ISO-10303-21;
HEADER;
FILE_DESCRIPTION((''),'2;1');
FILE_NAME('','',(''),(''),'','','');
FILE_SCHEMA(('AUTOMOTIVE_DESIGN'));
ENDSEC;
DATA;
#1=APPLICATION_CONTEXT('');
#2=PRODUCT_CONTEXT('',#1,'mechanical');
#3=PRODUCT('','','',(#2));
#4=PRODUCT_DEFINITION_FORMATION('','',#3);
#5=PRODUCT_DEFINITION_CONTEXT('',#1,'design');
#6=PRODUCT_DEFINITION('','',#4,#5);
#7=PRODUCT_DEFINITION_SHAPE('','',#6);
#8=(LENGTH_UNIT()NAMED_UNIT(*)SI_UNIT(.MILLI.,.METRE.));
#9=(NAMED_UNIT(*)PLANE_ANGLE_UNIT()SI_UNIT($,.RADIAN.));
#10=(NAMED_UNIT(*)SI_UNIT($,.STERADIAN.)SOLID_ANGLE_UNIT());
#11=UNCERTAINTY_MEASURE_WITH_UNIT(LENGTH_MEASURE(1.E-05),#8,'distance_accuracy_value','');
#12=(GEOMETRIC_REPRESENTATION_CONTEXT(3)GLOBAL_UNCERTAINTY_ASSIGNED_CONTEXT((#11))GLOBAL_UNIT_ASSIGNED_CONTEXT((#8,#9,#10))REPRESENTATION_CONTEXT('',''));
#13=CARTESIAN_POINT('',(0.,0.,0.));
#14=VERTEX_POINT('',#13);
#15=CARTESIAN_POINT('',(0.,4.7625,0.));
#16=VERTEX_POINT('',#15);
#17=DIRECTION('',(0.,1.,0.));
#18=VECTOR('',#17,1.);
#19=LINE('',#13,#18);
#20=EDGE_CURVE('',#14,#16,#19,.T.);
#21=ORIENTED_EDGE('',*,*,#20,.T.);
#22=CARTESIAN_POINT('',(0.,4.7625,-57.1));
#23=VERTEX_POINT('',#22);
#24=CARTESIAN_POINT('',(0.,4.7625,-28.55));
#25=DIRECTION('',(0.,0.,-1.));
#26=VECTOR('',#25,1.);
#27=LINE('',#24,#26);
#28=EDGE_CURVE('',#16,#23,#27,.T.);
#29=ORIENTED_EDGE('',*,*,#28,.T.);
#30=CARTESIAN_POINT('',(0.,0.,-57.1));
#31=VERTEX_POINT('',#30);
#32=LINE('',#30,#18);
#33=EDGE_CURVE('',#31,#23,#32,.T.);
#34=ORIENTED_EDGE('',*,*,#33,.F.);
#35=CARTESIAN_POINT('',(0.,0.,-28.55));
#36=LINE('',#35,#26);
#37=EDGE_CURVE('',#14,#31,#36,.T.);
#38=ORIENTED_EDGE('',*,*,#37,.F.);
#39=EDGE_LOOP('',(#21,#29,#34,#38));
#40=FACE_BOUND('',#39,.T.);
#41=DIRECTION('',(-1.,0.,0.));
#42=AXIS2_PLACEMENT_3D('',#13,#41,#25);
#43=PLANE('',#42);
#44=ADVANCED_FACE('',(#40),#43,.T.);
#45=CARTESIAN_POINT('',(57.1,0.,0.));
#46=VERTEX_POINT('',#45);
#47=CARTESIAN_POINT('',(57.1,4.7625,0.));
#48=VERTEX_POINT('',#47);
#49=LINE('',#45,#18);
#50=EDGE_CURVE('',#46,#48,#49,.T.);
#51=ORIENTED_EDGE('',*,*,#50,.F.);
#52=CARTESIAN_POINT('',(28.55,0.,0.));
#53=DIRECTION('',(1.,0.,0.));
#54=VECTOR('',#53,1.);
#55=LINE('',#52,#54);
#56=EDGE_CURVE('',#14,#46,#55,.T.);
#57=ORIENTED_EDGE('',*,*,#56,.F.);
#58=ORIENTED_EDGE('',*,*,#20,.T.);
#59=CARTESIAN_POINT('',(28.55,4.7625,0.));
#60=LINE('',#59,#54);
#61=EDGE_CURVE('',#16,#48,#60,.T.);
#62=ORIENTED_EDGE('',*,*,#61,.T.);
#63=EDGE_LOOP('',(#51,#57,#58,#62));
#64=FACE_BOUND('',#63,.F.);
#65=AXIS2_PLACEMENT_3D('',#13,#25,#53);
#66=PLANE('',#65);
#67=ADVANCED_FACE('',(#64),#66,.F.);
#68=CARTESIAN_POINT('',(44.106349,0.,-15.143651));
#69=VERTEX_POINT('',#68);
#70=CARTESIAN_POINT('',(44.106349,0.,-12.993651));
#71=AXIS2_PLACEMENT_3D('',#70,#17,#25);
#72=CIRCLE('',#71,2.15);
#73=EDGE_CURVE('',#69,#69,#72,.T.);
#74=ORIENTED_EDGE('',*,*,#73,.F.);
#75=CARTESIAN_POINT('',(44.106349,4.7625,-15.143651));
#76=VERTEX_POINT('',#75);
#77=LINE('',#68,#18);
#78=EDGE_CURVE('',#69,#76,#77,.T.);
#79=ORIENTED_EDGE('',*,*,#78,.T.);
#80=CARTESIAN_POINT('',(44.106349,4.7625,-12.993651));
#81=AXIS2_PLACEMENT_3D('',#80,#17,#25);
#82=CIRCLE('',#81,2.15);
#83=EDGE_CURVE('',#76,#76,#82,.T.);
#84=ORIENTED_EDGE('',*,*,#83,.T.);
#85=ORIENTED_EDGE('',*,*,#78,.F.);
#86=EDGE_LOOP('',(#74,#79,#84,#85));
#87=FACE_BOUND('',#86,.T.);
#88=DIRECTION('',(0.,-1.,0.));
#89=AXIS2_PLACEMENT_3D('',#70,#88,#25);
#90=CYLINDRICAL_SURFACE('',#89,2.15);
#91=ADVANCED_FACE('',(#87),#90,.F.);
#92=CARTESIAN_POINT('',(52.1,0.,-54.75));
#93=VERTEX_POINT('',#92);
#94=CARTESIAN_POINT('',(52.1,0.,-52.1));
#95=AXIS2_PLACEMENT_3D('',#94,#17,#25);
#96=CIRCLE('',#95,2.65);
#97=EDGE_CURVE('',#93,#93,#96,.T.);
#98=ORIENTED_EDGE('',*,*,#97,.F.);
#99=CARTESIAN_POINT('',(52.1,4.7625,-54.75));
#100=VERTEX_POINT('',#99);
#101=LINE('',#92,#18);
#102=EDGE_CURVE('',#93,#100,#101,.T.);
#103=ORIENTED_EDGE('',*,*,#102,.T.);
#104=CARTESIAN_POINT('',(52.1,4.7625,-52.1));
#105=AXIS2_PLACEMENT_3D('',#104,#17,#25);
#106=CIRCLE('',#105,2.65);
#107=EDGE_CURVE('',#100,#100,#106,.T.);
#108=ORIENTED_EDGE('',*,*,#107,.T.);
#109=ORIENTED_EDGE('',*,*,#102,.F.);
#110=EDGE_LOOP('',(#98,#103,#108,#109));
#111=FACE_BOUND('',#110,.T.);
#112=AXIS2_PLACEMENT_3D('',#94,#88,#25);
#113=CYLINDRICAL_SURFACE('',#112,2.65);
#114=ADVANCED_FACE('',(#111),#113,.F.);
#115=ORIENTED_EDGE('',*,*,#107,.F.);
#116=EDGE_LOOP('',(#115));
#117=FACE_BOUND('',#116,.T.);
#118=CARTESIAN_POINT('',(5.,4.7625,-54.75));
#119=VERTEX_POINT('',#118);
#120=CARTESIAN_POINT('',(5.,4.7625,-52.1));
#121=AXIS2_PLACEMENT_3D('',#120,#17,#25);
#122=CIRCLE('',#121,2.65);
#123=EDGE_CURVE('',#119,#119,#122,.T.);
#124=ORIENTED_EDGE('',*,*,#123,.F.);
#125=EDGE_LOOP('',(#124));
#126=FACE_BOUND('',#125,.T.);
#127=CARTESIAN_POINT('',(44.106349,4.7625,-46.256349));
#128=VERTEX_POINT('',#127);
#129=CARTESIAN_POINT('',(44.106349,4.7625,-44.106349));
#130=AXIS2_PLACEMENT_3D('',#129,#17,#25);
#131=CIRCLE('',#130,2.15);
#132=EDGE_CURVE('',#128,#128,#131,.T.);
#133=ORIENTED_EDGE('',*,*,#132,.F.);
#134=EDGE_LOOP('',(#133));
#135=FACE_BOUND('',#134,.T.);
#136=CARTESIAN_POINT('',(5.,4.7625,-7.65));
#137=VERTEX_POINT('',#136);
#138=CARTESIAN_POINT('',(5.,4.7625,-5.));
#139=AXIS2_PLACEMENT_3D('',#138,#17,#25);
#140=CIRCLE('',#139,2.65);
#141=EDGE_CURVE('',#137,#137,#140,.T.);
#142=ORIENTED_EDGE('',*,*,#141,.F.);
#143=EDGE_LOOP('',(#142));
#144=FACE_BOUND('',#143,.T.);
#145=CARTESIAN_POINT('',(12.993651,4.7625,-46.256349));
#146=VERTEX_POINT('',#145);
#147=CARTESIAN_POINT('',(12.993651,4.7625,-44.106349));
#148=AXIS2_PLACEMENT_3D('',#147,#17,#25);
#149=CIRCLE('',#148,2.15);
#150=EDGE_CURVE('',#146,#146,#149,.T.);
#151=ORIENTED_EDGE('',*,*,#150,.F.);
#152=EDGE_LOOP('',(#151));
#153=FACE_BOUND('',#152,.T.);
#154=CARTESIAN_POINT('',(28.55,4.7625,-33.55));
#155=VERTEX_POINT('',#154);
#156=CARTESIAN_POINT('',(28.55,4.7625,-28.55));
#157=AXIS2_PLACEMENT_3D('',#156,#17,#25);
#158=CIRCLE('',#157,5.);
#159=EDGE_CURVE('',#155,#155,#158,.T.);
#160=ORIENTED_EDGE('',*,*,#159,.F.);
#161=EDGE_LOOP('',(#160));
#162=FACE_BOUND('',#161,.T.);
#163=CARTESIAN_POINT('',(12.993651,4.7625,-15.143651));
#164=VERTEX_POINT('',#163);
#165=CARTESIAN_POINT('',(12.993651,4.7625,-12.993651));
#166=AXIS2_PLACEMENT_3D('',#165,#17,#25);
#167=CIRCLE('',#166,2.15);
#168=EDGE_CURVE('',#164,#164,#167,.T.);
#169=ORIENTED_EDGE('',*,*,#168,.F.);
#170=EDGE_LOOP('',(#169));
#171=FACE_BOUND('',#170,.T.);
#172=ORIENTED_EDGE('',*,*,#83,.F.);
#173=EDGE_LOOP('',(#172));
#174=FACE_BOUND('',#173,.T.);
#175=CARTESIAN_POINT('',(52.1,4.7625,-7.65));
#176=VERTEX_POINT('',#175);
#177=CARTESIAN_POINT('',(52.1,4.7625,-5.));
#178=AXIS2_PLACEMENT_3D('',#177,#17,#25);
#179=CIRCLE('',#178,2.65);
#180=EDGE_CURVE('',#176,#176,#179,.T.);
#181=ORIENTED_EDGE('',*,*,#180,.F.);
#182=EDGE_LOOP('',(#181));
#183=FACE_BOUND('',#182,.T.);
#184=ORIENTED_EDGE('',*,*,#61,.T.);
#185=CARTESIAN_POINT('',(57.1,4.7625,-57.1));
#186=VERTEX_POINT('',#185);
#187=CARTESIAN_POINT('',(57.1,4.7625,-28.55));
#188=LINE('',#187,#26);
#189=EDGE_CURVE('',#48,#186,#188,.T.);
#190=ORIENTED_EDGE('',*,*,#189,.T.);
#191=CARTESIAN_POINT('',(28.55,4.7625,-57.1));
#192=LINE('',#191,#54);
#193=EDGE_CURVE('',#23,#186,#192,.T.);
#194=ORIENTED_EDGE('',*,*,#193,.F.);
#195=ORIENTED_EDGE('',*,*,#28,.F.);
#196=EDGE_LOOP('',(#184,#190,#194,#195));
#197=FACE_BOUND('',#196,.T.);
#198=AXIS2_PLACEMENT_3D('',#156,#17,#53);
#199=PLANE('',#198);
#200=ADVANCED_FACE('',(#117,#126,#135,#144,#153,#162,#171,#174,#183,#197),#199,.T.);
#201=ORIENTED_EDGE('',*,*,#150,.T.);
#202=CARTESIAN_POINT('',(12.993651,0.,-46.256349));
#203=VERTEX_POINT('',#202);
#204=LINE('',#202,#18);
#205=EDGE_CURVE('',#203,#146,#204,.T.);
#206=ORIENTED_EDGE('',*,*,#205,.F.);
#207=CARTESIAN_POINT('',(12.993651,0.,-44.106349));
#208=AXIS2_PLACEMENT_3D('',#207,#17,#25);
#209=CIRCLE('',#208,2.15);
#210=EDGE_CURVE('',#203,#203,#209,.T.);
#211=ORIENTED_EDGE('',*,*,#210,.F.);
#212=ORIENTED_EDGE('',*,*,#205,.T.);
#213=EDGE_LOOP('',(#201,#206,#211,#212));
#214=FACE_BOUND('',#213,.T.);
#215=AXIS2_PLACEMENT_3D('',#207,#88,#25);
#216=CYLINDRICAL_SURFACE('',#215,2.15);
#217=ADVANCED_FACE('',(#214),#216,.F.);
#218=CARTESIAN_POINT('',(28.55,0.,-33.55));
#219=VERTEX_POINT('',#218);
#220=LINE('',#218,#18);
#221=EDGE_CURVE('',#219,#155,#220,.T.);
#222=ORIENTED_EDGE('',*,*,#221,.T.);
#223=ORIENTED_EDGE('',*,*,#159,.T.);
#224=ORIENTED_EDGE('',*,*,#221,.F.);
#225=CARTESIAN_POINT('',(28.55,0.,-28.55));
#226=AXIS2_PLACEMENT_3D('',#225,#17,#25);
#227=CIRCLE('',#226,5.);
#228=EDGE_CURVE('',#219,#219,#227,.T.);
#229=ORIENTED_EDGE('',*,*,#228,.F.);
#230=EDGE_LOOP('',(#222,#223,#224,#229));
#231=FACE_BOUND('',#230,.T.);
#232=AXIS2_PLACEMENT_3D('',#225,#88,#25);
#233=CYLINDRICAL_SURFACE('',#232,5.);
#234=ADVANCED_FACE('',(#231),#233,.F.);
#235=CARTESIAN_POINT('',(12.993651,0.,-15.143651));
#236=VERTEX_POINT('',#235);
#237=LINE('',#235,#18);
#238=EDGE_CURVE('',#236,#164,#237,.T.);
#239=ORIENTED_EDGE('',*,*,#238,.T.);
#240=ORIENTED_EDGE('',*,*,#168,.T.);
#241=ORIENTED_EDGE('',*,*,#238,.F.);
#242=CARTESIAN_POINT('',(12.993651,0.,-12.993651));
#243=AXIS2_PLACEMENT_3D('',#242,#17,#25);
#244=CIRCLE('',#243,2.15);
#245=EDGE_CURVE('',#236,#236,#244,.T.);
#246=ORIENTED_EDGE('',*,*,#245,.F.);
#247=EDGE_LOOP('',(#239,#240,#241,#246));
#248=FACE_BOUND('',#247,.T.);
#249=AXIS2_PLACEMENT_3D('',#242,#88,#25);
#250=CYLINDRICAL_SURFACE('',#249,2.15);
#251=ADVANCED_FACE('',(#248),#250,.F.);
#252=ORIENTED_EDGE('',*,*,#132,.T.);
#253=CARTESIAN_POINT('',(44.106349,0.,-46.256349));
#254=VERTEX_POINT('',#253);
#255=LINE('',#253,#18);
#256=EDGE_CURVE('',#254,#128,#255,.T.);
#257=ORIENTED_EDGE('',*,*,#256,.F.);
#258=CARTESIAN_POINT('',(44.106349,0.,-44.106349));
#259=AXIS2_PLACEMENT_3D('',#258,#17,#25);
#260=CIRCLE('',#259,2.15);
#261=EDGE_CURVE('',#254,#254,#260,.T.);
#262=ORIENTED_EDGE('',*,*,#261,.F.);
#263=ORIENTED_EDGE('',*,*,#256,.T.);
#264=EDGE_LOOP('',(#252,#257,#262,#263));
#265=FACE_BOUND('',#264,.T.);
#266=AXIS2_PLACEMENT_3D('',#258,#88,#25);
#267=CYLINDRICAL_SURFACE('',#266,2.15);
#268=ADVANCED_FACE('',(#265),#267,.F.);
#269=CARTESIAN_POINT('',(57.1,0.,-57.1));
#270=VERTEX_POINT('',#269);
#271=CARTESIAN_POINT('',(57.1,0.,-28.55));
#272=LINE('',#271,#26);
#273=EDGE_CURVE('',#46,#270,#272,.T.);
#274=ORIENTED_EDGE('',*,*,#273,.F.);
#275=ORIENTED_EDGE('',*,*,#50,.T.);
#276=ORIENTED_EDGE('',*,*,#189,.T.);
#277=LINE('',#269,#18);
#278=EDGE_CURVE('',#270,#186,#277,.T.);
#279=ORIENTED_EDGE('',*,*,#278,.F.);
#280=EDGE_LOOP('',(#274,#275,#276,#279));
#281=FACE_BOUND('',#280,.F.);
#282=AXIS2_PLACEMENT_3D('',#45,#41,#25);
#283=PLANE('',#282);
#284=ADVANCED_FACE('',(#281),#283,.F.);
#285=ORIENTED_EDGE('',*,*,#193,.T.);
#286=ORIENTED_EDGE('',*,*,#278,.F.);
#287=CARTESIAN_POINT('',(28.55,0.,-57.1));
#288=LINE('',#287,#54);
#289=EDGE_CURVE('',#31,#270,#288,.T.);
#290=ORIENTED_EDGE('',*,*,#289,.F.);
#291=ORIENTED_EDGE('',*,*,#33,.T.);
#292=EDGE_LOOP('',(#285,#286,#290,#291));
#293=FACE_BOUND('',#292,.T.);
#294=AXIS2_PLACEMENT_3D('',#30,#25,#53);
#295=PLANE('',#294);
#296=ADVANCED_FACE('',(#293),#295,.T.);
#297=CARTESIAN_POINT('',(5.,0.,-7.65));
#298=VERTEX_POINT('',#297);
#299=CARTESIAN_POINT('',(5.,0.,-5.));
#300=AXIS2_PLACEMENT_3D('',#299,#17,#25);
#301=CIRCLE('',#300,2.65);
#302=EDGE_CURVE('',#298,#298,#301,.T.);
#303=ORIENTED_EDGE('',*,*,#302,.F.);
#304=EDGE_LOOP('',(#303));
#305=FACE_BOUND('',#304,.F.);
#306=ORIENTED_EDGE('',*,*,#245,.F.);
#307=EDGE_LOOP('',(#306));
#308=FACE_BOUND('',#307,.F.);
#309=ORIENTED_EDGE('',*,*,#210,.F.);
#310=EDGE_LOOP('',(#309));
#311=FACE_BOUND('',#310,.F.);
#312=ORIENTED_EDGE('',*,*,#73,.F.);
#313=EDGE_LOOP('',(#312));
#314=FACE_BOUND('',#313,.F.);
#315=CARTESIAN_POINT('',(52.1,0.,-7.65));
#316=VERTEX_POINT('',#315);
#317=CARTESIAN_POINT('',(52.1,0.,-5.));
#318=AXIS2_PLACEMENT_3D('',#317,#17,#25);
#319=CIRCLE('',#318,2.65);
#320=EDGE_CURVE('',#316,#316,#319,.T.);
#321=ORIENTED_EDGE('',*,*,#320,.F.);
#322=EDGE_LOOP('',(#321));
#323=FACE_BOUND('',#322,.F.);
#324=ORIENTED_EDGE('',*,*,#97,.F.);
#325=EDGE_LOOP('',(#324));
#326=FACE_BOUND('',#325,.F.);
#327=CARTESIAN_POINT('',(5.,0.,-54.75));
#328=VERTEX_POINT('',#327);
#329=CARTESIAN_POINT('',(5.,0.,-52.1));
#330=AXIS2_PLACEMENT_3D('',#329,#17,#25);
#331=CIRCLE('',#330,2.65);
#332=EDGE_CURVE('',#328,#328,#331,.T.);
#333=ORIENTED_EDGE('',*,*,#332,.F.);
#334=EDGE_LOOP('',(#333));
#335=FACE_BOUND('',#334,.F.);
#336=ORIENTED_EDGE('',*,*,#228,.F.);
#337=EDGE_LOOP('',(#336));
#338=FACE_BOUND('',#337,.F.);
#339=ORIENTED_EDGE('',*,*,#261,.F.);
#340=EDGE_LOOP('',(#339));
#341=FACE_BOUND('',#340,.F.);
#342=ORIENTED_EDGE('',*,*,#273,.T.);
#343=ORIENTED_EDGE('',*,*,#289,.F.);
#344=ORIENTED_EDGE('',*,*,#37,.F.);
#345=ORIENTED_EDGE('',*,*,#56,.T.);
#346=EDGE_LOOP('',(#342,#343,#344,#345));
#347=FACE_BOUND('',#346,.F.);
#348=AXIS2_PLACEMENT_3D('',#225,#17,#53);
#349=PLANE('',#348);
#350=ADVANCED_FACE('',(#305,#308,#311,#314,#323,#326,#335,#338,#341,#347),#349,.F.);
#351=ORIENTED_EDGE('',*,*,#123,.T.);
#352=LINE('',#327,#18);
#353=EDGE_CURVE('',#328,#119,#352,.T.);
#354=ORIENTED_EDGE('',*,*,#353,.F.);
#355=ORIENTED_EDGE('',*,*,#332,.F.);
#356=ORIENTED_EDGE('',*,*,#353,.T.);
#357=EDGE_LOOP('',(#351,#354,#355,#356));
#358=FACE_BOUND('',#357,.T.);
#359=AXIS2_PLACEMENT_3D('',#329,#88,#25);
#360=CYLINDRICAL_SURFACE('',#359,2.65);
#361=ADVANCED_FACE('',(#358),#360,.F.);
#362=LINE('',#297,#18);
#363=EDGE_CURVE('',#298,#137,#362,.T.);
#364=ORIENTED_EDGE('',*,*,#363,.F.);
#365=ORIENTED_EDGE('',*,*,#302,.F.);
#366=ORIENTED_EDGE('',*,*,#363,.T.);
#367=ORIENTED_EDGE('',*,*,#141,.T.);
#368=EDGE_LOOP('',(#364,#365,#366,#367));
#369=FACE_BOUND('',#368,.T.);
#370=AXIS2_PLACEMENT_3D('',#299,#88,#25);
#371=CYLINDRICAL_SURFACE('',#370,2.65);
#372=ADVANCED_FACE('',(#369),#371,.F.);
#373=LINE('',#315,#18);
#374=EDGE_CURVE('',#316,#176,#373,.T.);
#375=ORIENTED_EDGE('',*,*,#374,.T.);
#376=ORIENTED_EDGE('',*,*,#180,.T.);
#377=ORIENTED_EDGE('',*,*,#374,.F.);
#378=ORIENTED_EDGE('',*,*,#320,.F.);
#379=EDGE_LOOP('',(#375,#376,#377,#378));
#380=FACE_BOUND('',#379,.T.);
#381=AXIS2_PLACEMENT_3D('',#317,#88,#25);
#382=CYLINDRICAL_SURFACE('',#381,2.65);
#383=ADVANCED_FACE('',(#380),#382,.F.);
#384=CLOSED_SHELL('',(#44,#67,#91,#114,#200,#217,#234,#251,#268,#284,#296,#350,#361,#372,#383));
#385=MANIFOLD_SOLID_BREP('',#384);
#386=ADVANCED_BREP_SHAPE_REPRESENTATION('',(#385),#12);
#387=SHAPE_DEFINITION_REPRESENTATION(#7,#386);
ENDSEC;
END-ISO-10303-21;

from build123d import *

# Parameters (mm, degrees)
SKETCH1_W           = 57.1
SKETCH1_H           = 57.1
SKETCH1_R           = 2.15
SKETCH1_R_2         = 2.65
SKETCH1_R_3         = 5
BOSS_EXTRUDE1_DEPTH = 4.7625


with BuildPart() as part:
    # Sketch1 → Boss-Extrude1 (new body)
    with BuildSketch(Plane(origin=(0, 0, 0), x_dir=(1, 0, 0), z_dir=(0, 1, 0))):
        with Locations((28.55, 28.55)):
            Rectangle(SKETCH1_W, SKETCH1_H)
        with Locations(Location((12.993650814, 44.106349186, 0), (0, 0, 90))):
            Circle(SKETCH1_R, mode=Mode.SUBTRACT)
        with Locations(Location((12.993650814, 12.993650814, 0), (0, 0, 90))):
            Circle(SKETCH1_R, mode=Mode.SUBTRACT)
        with Locations(Location((44.106349186, 12.993650814, 0), (0, 0, 90))):
            Circle(SKETCH1_R, mode=Mode.SUBTRACT)
        with Locations(Location((44.106349186, 44.106349186, 0), (0, 0, 90))):
            Circle(SKETCH1_R, mode=Mode.SUBTRACT)
        with Locations(Location((5, 52.1, 0), (0, 0, 90))):
            Circle(SKETCH1_R_2, mode=Mode.SUBTRACT)
        with Locations(Location((52.1, 52.1, 0), (0, 0, 90))):
            Circle(SKETCH1_R_2, mode=Mode.SUBTRACT)
        with Locations(Location((52.1, 5, 0), (0, 0, 90))):
            Circle(SKETCH1_R_2, mode=Mode.SUBTRACT)
        with Locations(Location((5, 5, 0), (0, 0, 90))):
            Circle(SKETCH1_R_2, mode=Mode.SUBTRACT)
        with Locations(Location((28.55, 28.55, 0), (0, 0, 90))):
            Circle(SKETCH1_R_3, mode=Mode.SUBTRACT)
    extrude(amount=BOSS_EXTRUDE1_DEPTH)


solid = part.part
